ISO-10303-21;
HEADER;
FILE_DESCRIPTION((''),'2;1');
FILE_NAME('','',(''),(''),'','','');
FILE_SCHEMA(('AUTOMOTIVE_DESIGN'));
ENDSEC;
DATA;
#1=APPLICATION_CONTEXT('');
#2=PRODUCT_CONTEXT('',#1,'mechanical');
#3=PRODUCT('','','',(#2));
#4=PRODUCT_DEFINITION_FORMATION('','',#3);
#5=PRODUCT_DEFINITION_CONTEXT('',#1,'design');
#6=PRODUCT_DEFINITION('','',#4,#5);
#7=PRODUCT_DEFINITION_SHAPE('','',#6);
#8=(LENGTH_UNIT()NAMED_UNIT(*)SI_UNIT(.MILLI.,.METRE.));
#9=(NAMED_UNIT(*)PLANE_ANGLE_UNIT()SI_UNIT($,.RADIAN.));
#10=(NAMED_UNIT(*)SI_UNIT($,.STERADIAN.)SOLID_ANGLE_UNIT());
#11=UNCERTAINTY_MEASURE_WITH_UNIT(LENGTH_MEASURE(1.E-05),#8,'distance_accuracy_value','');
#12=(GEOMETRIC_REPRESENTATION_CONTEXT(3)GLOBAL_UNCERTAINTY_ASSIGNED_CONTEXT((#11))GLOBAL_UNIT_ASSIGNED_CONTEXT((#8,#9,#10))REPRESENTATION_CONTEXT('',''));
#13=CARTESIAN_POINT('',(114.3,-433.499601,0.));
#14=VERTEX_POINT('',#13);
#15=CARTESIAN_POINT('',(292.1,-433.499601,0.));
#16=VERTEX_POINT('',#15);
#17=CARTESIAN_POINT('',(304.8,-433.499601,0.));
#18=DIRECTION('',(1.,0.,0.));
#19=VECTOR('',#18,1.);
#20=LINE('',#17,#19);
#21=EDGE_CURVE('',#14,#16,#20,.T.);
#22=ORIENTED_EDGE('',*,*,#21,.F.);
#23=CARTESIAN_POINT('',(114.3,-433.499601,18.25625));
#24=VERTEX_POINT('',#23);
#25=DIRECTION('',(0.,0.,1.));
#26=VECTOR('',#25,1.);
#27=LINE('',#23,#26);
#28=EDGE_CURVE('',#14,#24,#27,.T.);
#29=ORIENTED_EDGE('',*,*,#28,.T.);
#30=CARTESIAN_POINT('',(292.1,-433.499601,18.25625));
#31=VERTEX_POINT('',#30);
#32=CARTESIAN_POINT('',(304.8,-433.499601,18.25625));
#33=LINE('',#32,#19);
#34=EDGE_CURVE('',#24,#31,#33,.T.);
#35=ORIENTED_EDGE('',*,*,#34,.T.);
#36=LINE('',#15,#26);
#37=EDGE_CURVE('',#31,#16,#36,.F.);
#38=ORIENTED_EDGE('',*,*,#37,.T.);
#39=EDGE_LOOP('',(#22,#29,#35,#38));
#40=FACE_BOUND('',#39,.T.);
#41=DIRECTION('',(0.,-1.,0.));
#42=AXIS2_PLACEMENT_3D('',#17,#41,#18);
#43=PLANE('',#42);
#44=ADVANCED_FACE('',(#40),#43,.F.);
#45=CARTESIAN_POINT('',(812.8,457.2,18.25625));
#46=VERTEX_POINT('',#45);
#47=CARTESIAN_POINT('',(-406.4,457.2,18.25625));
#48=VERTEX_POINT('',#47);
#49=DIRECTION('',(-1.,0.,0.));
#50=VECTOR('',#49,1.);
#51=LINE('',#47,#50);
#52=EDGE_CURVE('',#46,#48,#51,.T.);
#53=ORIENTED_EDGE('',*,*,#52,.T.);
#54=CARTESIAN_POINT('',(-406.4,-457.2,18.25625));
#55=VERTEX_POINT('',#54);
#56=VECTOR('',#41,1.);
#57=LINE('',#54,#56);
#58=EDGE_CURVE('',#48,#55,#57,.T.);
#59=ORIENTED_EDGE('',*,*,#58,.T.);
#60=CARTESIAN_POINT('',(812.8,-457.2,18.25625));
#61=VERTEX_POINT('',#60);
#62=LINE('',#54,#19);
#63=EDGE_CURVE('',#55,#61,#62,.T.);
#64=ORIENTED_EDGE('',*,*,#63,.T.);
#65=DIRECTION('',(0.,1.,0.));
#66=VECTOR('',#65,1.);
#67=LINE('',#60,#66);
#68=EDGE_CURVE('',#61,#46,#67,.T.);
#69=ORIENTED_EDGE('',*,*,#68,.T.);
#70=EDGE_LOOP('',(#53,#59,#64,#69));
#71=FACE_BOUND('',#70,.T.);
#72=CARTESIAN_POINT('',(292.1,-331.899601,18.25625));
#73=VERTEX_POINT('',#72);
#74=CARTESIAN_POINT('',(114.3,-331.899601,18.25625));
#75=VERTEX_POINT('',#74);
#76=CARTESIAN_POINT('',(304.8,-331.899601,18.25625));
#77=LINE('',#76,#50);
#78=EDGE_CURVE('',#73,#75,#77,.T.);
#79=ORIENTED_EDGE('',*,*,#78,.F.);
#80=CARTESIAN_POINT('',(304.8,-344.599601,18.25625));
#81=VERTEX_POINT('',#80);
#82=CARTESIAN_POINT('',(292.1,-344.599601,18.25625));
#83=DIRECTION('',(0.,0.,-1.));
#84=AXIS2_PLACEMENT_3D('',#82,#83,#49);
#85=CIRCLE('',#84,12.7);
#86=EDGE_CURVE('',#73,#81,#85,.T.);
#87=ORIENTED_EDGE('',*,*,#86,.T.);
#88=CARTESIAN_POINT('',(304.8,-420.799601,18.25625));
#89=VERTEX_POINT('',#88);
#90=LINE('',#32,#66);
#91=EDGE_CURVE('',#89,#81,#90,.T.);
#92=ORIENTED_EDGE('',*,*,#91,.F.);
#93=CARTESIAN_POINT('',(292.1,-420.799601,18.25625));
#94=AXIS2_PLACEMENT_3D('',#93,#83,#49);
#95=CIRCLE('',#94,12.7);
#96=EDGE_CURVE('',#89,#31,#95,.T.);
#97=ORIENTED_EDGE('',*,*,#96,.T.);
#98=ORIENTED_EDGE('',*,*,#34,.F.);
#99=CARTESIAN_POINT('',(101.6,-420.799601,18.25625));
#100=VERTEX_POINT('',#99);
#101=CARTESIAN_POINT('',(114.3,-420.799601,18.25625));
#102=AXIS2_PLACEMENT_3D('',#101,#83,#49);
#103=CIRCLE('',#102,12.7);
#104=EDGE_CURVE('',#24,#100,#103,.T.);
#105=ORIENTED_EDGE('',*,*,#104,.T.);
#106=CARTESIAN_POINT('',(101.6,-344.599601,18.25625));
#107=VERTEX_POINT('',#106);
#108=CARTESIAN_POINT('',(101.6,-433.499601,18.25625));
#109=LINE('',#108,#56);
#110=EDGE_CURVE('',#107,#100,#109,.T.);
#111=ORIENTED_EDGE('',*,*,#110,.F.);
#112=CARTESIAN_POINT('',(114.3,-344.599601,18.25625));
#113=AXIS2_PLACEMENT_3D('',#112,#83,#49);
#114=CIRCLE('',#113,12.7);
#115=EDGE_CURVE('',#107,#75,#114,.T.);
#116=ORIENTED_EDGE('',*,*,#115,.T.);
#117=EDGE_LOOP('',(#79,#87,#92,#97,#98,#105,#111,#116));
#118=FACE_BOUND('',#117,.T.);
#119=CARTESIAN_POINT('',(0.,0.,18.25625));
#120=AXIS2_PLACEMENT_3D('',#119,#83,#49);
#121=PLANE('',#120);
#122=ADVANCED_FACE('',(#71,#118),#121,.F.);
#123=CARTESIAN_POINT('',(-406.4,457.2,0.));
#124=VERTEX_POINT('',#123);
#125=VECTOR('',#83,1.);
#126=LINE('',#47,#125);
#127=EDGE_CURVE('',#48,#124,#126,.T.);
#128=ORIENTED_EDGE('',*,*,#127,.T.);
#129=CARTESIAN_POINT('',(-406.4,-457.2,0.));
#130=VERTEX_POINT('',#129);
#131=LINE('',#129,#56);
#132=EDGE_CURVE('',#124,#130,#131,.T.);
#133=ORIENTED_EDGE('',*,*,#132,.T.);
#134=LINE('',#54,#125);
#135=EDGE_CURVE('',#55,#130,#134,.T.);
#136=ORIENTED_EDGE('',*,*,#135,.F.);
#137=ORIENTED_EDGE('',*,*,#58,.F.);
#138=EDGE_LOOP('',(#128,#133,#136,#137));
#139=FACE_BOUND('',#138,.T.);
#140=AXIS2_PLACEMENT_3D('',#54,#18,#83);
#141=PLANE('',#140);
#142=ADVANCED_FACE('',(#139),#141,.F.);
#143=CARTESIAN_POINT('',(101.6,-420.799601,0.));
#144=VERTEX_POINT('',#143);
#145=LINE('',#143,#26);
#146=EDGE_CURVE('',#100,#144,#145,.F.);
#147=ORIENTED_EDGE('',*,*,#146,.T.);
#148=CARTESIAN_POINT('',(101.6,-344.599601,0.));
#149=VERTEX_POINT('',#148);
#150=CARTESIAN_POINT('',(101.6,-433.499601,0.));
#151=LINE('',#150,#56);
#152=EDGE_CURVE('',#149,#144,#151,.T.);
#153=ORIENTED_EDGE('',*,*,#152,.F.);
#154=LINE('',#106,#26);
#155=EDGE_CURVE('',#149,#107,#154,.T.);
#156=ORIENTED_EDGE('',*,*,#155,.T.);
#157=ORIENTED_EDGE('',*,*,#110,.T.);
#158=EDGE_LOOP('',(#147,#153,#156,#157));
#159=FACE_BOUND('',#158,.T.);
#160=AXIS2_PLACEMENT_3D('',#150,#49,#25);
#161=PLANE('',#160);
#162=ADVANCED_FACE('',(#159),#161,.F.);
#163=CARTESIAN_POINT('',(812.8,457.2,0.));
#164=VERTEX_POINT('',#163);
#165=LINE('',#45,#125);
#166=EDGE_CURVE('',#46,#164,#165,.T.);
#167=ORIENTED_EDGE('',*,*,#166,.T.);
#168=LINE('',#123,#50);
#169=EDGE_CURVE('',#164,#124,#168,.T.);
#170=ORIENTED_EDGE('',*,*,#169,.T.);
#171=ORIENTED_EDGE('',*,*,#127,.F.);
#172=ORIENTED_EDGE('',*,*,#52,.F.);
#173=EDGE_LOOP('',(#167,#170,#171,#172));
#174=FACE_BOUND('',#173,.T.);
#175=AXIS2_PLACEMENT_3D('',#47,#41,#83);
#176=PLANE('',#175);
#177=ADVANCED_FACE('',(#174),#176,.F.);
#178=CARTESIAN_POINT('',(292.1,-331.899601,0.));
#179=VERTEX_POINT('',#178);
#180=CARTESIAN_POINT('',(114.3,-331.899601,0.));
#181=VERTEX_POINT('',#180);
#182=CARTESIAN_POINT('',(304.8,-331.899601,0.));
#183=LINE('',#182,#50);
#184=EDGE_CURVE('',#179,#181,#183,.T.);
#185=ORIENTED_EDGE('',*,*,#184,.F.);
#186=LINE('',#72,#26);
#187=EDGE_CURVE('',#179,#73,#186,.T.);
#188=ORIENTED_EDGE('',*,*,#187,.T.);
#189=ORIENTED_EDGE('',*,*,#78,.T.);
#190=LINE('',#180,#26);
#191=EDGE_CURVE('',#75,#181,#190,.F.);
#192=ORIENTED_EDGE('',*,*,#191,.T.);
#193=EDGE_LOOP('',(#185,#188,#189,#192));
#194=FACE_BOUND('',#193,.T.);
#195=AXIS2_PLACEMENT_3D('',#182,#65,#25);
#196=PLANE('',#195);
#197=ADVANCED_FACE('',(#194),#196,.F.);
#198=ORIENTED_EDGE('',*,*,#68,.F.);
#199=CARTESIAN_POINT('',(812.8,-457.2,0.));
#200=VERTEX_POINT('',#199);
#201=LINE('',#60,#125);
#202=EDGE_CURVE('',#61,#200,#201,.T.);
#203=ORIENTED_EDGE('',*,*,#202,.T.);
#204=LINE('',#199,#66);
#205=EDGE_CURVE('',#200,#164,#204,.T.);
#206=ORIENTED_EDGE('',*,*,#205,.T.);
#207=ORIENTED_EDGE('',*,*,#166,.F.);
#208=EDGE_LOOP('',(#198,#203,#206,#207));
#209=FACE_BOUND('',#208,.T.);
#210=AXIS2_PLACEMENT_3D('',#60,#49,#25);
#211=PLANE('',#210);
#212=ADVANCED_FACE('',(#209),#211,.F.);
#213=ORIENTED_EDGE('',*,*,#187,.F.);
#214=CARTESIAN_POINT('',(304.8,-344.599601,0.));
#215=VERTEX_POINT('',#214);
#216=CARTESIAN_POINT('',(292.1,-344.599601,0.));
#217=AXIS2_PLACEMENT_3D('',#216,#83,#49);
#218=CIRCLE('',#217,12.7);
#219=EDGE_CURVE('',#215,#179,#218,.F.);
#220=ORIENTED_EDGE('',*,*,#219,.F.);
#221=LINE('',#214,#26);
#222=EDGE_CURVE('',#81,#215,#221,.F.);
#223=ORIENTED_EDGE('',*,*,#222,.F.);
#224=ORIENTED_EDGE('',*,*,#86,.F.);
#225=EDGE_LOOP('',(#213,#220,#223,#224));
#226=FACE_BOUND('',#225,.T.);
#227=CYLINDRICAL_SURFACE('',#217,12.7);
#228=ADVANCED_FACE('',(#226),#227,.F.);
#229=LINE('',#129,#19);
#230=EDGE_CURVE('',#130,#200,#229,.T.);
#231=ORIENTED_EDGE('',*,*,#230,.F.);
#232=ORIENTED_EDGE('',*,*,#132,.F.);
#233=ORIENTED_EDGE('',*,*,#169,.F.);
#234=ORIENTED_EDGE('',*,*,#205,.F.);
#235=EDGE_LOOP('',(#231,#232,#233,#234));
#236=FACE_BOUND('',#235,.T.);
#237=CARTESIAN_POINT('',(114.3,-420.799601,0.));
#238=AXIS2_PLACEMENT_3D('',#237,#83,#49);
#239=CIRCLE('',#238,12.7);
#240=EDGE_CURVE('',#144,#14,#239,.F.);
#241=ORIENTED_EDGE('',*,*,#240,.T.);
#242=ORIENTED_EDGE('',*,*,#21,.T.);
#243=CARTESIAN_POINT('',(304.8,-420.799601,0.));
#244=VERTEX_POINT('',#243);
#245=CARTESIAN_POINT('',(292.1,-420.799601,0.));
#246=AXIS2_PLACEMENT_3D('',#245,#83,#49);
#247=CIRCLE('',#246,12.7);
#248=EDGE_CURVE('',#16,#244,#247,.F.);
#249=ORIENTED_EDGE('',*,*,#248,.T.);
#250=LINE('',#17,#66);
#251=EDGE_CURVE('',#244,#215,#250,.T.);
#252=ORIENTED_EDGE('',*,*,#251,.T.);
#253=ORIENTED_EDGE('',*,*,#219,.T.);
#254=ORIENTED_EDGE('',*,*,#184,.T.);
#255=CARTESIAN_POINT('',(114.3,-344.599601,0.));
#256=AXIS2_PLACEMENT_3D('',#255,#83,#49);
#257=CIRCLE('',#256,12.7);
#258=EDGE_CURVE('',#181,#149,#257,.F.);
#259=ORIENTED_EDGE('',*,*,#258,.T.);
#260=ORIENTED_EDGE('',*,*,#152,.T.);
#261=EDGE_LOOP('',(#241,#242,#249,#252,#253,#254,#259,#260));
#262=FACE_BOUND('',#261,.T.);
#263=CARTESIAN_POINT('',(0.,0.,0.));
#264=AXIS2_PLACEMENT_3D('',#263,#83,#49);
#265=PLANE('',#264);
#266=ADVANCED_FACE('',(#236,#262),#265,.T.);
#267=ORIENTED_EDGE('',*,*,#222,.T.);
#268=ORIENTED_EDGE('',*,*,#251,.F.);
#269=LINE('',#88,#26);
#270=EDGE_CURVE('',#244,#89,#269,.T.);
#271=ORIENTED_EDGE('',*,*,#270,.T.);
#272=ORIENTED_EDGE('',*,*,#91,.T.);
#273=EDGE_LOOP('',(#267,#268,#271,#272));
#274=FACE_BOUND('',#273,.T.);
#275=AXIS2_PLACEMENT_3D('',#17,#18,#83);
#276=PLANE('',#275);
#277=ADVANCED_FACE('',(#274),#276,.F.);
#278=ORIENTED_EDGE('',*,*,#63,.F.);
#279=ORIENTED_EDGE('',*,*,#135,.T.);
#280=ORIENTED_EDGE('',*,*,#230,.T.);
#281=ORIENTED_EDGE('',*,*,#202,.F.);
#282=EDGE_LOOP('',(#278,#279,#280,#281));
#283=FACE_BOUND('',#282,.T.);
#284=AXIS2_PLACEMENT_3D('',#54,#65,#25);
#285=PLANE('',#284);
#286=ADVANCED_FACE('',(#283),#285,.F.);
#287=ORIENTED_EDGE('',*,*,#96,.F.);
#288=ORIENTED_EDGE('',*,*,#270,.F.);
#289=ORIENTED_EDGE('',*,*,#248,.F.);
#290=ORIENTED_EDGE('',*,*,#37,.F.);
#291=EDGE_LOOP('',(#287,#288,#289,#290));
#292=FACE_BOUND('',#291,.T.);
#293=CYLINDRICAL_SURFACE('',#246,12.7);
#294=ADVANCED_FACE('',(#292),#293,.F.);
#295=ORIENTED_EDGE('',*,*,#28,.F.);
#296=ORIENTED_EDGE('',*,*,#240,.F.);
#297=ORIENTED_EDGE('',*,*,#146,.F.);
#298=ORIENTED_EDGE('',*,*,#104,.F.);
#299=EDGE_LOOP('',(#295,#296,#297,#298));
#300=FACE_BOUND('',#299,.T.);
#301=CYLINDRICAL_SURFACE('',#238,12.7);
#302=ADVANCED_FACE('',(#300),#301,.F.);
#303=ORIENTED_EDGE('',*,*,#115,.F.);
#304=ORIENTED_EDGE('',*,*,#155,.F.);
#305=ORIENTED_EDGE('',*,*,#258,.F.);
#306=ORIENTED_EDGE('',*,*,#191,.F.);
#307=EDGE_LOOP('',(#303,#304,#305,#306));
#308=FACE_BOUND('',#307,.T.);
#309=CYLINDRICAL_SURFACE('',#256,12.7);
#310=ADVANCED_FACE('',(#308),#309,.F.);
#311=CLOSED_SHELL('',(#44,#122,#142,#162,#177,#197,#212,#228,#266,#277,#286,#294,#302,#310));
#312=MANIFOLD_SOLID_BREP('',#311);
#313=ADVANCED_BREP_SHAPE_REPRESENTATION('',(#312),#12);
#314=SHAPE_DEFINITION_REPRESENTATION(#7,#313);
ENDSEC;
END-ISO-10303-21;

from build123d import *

# Parameters (mm, degrees)
SKETCH1_W           = 1219.2
SKETCH1_H           = 914.4
BOSS_EXTRUDE1_DEPTH = 18.25625
SKETCH2_W           = 203.2
SKETCH2_H           = 101.6
CUT_EXTRUDE1_DEPTH  = 933.742714077
FILLET1_R           = 12.7


with BuildPart() as part:
    # Sketch1 → Boss-Extrude1 (new body)
    with BuildSketch(Plane.XY):
        with Locations((203.2, 0)):
            Rectangle(SKETCH1_W, SKETCH1_H)
    extrude(amount=BOSS_EXTRUDE1_DEPTH)

    # Sketch2 → Cut-Extrude1 (cut, through all)
    with BuildSketch(Plane.XY.offset(18.25625)):
        with Locations((203.2, -382.699600817)):
            Rectangle(SKETCH2_W, SKETCH2_H)
    extrude(amount=-CUT_EXTRUDE1_DEPTH, mode=Mode.SUBTRACT)

    # Fillet1
    fillet1_edges = [part.edges().sort_by_distance(p)[0] for p in [
        (101.6, -433.499600817, 9.128125),
        (101.6, -331.899600817, 9.128125),
        (304.8, -331.899600817, 9.128125),
        (304.8, -433.499600817, 9.128125),
    ]]
    fillet(fillet1_edges, radius=FILLET1_R)


solid = part.part
